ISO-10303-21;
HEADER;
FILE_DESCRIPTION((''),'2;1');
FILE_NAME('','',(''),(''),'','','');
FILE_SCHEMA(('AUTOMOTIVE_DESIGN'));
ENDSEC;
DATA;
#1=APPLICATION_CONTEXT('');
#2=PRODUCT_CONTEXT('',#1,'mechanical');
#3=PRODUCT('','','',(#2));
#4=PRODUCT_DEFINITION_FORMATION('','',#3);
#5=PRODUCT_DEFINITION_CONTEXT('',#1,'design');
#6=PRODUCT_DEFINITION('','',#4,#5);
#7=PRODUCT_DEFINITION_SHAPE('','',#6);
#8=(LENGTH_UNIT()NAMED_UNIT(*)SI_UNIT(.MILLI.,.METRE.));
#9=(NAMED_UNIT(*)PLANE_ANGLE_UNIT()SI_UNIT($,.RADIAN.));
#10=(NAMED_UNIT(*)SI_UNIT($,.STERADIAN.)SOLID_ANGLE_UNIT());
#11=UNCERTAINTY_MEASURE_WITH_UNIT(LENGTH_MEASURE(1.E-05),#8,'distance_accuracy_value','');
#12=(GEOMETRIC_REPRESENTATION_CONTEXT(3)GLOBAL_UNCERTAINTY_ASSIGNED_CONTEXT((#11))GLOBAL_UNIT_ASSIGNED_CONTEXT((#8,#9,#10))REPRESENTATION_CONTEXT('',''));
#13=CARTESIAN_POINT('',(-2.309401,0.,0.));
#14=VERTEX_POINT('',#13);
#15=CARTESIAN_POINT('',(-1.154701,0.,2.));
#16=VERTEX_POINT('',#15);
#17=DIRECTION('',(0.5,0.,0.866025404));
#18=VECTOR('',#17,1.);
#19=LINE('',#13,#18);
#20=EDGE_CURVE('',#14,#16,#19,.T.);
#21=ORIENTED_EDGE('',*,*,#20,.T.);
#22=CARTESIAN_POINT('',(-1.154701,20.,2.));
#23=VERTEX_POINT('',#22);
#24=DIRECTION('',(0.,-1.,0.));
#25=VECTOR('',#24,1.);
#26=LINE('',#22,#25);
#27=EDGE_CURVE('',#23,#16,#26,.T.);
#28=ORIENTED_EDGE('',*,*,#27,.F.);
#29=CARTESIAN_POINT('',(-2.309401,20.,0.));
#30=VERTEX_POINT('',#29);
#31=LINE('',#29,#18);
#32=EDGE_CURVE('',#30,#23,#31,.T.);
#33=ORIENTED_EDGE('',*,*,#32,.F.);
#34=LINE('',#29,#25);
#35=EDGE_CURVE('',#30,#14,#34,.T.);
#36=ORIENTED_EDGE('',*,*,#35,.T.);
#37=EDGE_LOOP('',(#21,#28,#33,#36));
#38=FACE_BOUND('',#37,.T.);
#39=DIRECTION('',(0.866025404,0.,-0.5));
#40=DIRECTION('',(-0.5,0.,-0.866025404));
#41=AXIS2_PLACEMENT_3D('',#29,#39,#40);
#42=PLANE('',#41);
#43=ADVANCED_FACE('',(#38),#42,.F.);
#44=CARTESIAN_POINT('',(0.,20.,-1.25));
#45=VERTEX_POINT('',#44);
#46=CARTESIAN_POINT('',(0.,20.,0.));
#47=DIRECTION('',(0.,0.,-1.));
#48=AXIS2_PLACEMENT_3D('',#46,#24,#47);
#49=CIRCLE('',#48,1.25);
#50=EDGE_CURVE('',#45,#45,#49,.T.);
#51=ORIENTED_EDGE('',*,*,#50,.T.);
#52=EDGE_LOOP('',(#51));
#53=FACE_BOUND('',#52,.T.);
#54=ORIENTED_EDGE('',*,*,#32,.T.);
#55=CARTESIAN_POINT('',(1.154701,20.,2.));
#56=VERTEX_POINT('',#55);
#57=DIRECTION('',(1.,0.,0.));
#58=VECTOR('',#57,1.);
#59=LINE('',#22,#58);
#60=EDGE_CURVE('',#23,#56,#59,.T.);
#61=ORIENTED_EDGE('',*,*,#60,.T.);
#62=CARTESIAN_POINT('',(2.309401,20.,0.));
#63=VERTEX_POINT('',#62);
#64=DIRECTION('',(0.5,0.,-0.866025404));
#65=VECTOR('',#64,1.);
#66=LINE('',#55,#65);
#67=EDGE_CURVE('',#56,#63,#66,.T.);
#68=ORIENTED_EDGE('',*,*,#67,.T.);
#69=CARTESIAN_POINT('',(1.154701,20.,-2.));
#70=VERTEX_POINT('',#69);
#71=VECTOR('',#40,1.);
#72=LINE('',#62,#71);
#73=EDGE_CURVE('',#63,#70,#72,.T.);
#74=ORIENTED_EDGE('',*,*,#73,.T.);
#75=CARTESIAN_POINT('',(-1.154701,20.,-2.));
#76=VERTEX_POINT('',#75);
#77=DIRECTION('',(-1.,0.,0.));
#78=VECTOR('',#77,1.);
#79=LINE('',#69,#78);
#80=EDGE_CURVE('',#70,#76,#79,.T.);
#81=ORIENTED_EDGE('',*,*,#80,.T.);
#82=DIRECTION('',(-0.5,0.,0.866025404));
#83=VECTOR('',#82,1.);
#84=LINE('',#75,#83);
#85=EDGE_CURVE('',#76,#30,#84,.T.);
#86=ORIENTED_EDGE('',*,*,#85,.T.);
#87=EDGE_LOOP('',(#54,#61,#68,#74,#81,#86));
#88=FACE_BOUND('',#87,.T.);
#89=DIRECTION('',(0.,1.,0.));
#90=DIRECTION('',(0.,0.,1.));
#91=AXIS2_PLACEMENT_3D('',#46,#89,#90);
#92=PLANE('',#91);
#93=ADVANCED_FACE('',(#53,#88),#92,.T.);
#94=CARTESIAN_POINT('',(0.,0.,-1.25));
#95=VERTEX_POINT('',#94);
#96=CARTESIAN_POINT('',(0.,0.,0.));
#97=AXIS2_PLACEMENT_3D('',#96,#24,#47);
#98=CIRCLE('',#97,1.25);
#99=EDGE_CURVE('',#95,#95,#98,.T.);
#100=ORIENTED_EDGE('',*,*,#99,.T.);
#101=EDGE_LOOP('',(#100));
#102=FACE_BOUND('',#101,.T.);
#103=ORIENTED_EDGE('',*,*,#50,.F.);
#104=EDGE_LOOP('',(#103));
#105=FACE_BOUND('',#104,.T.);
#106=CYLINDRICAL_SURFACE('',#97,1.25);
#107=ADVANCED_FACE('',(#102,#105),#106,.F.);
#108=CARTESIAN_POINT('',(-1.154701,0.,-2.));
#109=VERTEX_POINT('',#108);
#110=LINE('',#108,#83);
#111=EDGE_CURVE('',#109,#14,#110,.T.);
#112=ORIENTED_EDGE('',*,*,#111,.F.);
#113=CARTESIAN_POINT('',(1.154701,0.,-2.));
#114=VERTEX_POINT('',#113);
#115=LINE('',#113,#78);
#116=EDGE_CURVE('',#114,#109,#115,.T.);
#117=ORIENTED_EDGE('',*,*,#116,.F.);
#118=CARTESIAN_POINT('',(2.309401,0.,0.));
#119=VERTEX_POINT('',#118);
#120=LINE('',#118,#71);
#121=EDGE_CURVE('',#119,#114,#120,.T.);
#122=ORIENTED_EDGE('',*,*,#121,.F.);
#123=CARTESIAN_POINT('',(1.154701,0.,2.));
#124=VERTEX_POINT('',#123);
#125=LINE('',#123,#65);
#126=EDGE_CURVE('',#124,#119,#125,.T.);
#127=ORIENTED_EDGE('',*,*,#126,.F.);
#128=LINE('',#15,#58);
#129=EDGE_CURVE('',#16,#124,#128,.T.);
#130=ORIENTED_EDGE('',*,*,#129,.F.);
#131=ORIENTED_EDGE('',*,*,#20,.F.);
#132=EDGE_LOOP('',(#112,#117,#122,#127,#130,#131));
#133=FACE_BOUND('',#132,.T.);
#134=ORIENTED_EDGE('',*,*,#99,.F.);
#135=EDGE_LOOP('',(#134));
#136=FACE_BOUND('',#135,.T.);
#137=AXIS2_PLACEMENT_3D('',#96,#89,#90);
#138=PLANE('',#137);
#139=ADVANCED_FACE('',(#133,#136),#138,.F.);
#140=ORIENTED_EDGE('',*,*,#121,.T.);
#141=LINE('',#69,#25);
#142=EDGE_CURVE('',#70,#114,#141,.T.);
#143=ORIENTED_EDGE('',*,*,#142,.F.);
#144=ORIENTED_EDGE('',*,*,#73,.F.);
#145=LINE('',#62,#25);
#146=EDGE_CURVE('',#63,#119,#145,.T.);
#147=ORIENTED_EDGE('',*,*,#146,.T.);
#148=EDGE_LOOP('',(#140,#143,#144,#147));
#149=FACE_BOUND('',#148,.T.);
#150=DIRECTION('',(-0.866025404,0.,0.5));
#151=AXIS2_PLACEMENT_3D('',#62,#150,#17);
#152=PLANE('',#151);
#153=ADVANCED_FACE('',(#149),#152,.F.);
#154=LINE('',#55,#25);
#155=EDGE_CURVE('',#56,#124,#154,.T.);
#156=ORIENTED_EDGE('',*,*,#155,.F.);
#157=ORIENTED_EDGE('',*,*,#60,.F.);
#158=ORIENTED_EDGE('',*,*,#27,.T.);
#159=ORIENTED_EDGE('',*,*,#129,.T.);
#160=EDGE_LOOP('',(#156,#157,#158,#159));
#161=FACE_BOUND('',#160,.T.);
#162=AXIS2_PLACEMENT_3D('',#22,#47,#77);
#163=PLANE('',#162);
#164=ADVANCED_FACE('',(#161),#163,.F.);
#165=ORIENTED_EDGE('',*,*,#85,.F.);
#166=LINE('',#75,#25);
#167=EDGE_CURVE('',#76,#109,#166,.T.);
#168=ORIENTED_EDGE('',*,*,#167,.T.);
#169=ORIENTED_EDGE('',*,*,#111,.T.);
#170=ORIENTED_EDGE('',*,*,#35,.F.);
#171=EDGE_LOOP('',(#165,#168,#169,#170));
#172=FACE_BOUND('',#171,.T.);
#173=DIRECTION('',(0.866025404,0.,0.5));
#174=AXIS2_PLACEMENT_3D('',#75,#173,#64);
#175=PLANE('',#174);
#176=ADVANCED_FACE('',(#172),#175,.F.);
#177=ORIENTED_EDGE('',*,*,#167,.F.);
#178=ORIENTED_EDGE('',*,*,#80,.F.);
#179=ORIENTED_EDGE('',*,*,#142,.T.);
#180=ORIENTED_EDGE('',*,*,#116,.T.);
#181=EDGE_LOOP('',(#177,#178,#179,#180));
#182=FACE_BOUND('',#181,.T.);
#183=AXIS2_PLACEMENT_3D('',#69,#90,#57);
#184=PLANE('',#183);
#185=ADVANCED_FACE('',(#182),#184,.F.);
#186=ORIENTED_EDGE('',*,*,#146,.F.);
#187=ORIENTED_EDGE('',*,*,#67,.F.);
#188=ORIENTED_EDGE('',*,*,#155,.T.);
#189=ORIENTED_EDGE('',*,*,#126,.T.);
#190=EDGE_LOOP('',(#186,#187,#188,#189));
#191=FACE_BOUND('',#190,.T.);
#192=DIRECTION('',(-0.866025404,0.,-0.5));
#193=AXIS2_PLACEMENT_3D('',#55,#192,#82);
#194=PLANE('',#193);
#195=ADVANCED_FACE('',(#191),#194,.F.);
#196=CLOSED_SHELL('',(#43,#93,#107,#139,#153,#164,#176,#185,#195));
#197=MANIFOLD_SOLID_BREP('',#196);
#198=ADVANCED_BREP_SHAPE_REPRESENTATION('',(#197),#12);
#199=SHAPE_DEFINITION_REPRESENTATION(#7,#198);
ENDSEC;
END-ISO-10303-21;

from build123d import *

# Parameters (mm, degrees)
BOSS_EXTRUDE1_DEPTH   = 20
M3X0_5_TAPPED_HOLE1_D = 2.5


with BuildPart() as part:
    # Sketch1 → Boss-Extrude1 (new body)
    with BuildSketch(Plane(origin=(0, 0, 0), x_dir=(1, 0, 0), z_dir=(0, 1, 0))):
        Polygon((2.309401077, 0), (1.154700538, 2), (-1.154700538, 2), (-2.309401077, 0), (-1.154700538, -2), (1.154700538, -2), align=None)
    extrude(amount=BOSS_EXTRUDE1_DEPTH)

    # M3x0.5 Tapped Hole1 (through all)
    with Locations(Plane(origin=(0, 0, 0), x_dir=(-1, 0, 0), z_dir=(0, -1, 0))):
        with Locations((0, 0)):
            Hole(M3X0_5_TAPPED_HOLE1_D / 2)


solid = part.part
